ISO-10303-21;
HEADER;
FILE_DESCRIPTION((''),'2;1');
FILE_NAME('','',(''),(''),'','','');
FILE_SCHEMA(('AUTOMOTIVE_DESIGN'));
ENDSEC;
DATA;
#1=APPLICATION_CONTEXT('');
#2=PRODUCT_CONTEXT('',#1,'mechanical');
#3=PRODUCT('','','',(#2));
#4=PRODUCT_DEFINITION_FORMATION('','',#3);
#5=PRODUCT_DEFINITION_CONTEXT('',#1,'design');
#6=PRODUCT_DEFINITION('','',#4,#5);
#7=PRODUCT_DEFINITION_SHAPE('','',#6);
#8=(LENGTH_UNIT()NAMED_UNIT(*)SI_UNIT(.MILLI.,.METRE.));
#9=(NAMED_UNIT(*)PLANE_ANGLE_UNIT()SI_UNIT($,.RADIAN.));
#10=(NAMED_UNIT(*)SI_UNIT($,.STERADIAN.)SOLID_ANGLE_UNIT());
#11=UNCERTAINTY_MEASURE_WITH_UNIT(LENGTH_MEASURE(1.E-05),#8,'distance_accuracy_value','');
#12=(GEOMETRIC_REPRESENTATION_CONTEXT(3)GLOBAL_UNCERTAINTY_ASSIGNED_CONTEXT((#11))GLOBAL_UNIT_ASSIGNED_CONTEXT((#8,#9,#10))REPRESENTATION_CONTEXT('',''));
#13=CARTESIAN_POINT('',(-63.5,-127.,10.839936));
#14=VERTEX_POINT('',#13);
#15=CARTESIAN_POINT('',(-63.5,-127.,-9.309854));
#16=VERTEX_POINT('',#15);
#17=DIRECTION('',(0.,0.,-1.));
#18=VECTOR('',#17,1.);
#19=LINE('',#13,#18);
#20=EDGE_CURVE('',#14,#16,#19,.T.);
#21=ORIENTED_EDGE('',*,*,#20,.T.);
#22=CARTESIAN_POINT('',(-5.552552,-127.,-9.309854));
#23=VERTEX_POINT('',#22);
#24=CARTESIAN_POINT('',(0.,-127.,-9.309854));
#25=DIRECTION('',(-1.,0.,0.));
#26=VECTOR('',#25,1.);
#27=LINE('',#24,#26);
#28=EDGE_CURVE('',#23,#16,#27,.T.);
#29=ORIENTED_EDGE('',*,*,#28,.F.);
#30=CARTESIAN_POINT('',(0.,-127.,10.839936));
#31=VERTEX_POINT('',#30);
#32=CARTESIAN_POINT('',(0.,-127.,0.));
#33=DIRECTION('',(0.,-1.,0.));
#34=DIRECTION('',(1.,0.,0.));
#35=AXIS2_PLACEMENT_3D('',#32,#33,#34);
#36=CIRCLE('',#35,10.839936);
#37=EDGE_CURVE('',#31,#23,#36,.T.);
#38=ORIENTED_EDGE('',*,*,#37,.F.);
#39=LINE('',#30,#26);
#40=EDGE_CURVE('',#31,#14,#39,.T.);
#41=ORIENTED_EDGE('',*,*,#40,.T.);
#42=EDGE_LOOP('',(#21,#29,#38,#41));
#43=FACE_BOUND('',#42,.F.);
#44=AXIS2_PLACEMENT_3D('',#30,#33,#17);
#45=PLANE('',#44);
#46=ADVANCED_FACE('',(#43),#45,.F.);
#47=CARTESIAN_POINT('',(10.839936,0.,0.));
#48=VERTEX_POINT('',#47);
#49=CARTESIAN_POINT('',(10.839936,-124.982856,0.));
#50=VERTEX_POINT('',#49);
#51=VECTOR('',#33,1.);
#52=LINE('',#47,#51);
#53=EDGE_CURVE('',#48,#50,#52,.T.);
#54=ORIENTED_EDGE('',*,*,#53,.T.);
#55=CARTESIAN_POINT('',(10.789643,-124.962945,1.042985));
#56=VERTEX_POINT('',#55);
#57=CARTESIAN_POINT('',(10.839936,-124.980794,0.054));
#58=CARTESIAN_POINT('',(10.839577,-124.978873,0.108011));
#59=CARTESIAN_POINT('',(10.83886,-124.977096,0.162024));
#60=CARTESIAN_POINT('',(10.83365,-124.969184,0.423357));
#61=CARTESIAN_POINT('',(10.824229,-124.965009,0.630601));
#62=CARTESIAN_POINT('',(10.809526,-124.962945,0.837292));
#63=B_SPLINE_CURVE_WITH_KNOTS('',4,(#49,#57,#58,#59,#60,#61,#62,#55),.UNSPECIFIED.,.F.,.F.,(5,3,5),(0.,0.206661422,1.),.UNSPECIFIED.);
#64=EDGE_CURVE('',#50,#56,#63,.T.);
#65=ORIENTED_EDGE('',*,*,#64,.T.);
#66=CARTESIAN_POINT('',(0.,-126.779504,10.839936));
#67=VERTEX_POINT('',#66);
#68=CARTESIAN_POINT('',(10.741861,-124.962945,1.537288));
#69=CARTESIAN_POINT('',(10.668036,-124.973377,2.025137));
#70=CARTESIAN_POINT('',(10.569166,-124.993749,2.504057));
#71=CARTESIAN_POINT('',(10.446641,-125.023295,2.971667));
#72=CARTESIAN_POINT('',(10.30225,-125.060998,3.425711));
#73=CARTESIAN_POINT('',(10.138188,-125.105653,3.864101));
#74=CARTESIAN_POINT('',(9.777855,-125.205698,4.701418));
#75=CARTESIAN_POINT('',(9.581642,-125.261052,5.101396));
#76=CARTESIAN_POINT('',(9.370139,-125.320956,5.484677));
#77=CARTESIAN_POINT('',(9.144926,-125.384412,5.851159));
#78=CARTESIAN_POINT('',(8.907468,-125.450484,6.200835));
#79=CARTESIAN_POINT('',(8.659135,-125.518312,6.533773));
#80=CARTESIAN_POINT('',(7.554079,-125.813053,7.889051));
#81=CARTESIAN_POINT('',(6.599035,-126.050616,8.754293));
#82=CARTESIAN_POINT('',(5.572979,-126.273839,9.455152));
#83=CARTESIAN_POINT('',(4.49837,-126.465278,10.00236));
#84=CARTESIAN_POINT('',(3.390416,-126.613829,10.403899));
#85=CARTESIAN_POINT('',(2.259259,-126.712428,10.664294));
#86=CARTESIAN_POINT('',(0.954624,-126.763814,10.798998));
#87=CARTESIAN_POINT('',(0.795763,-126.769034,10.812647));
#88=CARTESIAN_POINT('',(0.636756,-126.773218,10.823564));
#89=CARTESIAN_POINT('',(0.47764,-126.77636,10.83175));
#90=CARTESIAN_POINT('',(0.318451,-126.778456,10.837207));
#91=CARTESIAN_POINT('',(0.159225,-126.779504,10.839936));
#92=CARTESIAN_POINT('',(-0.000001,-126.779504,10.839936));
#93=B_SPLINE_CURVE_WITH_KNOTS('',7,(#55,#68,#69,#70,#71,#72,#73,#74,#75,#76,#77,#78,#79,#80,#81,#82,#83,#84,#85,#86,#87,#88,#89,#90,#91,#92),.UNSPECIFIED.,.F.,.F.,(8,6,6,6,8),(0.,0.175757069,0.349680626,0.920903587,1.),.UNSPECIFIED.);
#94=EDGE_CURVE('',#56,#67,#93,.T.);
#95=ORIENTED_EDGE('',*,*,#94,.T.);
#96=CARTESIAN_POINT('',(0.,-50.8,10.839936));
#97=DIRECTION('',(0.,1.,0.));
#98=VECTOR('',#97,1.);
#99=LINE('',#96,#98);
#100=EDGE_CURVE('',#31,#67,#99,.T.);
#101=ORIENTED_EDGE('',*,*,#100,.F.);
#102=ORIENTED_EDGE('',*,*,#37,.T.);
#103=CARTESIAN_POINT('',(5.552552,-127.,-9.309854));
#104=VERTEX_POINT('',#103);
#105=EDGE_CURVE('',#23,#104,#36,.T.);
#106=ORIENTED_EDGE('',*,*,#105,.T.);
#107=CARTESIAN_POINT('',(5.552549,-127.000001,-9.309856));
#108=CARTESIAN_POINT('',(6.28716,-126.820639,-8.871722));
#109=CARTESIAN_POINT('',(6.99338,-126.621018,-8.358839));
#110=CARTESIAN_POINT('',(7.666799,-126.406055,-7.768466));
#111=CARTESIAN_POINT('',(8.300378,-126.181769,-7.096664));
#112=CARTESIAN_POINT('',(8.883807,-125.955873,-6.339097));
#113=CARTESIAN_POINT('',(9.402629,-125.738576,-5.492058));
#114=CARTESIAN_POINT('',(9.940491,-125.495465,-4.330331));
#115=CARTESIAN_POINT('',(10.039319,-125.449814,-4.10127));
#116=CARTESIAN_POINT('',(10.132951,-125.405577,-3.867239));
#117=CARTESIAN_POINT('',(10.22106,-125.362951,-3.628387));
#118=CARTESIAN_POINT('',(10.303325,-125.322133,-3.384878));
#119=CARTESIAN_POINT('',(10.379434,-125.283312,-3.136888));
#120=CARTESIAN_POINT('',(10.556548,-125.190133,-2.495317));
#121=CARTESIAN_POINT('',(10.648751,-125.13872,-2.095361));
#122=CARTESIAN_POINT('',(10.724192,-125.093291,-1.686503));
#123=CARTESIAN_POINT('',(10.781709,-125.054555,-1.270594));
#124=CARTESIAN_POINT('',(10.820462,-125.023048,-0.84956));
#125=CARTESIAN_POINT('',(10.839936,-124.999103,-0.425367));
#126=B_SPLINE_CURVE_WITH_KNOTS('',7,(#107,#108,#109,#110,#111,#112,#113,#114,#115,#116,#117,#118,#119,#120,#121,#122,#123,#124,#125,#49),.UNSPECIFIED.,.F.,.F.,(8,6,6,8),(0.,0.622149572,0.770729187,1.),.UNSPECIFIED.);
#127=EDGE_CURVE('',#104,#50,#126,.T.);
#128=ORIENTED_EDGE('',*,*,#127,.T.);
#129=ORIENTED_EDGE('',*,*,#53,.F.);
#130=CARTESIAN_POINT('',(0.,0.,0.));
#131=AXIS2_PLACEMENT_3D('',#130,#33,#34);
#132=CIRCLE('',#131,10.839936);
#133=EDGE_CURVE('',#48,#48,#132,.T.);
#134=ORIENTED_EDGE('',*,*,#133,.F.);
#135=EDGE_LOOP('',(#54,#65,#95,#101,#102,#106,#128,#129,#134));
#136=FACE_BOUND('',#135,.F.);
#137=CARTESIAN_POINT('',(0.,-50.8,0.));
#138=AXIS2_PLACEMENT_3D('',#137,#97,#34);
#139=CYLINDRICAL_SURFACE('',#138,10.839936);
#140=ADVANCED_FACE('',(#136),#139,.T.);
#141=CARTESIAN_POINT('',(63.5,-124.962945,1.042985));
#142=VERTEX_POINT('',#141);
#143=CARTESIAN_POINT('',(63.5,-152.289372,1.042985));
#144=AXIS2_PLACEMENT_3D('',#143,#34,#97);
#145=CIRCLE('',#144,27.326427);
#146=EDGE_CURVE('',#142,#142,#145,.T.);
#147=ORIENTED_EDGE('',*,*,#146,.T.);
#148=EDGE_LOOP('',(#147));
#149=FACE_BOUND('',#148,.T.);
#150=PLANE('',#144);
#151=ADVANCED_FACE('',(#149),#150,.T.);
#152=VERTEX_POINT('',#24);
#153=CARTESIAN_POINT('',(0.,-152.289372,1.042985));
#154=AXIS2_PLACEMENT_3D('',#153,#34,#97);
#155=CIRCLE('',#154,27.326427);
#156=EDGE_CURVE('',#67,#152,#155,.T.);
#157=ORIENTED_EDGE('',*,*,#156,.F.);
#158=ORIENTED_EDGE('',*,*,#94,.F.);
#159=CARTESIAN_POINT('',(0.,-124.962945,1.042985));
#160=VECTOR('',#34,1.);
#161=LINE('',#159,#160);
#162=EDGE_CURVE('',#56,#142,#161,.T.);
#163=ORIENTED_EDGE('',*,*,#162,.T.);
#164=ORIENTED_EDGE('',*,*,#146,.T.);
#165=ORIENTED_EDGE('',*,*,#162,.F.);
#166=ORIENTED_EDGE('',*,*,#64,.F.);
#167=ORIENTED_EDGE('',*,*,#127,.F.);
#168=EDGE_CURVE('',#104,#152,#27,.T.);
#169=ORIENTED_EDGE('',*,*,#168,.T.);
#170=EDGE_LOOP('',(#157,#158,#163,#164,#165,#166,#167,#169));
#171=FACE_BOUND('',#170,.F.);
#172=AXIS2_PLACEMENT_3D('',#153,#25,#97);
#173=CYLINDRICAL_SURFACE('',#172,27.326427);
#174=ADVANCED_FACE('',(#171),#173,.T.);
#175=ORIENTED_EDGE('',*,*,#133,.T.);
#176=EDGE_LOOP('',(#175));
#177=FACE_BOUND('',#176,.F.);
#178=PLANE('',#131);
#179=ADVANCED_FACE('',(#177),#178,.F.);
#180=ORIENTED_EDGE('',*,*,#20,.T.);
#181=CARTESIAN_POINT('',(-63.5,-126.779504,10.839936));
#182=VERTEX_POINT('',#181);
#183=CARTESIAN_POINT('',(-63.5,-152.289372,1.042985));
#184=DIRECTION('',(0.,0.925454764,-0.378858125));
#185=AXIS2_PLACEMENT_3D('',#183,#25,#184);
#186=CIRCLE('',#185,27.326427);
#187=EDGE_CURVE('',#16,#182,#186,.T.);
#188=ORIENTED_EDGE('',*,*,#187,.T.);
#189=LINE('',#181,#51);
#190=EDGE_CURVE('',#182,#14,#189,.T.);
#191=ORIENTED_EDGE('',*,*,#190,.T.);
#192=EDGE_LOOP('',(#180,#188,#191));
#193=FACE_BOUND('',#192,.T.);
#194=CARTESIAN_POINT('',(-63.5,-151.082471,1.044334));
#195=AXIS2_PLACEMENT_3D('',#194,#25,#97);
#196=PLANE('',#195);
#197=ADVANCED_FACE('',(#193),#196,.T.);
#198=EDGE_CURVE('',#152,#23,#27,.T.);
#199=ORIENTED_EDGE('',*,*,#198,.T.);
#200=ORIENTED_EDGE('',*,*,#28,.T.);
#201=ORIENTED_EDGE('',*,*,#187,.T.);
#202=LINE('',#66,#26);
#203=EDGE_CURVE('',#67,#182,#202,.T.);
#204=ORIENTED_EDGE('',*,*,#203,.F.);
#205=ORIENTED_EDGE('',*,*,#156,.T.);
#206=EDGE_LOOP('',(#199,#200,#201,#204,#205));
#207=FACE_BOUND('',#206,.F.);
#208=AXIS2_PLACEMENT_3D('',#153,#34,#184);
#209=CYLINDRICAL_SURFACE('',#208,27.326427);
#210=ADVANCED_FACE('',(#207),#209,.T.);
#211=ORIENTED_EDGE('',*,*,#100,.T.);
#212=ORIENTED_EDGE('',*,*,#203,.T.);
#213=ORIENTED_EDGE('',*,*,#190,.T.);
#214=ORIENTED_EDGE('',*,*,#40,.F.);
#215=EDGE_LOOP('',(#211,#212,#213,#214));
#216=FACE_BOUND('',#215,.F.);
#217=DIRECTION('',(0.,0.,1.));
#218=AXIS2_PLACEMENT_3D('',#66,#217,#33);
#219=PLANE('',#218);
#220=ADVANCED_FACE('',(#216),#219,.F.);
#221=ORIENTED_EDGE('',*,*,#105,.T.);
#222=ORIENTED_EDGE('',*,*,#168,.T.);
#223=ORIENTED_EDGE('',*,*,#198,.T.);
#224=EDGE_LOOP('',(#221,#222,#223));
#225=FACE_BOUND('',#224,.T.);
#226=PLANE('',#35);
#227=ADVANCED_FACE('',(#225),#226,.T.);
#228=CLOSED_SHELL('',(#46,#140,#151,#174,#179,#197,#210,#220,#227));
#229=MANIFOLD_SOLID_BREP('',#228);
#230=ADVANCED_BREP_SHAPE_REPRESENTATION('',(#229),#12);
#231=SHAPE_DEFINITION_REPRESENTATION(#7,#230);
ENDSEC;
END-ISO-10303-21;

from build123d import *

# Parameters (mm, degrees)
F0_R      = 10.839936
F1_DEPTH  = 50.8
F1_FACE_R = 10.839936
F2_DEPTH  = 76.2
F3_R      = 27.326427
F4_DEPTH  = 63.5
F5_DEPTH  = 63.5


with BuildPart() as f1:
    # F0 (on Front) → F1 (new body)
    with BuildSketch(Plane.XZ):
        Circle(F0_R)
    extrude(amount=F1_DEPTH)

    # F1_face (on face) → F2 (join)
    with BuildSketch(Plane.XZ.offset(50.8)):
        Circle(F1_FACE_R)
    extrude(amount=F2_DEPTH)

    # F3 (on Right) → F4 (join)
    with BuildSketch(Plane.YZ):
        with Locations((-152.289372, 1.042985)):
            Circle(F3_R)
    extrude(amount=F4_DEPTH)

    # F4_face (on face) → F5 (join)
    with BuildSketch(Plane(origin=(0, -152.607876, 1.043252), x_dir=(0, 1, 0), z_dir=(-1, 0, 0))):
        with BuildLine():
            Line((25.828372, -9.796684), (25.607876, -9.796684))
            Line((25.607876, -9.796684), (25.607876, 10.353106))
            ThreePointArc((25.607876, 10.353106), (-27.006288, -0.298744), (25.828372, -9.796684))
        make_face()
    extrude(amount=F5_DEPTH)


solid = f1.part
